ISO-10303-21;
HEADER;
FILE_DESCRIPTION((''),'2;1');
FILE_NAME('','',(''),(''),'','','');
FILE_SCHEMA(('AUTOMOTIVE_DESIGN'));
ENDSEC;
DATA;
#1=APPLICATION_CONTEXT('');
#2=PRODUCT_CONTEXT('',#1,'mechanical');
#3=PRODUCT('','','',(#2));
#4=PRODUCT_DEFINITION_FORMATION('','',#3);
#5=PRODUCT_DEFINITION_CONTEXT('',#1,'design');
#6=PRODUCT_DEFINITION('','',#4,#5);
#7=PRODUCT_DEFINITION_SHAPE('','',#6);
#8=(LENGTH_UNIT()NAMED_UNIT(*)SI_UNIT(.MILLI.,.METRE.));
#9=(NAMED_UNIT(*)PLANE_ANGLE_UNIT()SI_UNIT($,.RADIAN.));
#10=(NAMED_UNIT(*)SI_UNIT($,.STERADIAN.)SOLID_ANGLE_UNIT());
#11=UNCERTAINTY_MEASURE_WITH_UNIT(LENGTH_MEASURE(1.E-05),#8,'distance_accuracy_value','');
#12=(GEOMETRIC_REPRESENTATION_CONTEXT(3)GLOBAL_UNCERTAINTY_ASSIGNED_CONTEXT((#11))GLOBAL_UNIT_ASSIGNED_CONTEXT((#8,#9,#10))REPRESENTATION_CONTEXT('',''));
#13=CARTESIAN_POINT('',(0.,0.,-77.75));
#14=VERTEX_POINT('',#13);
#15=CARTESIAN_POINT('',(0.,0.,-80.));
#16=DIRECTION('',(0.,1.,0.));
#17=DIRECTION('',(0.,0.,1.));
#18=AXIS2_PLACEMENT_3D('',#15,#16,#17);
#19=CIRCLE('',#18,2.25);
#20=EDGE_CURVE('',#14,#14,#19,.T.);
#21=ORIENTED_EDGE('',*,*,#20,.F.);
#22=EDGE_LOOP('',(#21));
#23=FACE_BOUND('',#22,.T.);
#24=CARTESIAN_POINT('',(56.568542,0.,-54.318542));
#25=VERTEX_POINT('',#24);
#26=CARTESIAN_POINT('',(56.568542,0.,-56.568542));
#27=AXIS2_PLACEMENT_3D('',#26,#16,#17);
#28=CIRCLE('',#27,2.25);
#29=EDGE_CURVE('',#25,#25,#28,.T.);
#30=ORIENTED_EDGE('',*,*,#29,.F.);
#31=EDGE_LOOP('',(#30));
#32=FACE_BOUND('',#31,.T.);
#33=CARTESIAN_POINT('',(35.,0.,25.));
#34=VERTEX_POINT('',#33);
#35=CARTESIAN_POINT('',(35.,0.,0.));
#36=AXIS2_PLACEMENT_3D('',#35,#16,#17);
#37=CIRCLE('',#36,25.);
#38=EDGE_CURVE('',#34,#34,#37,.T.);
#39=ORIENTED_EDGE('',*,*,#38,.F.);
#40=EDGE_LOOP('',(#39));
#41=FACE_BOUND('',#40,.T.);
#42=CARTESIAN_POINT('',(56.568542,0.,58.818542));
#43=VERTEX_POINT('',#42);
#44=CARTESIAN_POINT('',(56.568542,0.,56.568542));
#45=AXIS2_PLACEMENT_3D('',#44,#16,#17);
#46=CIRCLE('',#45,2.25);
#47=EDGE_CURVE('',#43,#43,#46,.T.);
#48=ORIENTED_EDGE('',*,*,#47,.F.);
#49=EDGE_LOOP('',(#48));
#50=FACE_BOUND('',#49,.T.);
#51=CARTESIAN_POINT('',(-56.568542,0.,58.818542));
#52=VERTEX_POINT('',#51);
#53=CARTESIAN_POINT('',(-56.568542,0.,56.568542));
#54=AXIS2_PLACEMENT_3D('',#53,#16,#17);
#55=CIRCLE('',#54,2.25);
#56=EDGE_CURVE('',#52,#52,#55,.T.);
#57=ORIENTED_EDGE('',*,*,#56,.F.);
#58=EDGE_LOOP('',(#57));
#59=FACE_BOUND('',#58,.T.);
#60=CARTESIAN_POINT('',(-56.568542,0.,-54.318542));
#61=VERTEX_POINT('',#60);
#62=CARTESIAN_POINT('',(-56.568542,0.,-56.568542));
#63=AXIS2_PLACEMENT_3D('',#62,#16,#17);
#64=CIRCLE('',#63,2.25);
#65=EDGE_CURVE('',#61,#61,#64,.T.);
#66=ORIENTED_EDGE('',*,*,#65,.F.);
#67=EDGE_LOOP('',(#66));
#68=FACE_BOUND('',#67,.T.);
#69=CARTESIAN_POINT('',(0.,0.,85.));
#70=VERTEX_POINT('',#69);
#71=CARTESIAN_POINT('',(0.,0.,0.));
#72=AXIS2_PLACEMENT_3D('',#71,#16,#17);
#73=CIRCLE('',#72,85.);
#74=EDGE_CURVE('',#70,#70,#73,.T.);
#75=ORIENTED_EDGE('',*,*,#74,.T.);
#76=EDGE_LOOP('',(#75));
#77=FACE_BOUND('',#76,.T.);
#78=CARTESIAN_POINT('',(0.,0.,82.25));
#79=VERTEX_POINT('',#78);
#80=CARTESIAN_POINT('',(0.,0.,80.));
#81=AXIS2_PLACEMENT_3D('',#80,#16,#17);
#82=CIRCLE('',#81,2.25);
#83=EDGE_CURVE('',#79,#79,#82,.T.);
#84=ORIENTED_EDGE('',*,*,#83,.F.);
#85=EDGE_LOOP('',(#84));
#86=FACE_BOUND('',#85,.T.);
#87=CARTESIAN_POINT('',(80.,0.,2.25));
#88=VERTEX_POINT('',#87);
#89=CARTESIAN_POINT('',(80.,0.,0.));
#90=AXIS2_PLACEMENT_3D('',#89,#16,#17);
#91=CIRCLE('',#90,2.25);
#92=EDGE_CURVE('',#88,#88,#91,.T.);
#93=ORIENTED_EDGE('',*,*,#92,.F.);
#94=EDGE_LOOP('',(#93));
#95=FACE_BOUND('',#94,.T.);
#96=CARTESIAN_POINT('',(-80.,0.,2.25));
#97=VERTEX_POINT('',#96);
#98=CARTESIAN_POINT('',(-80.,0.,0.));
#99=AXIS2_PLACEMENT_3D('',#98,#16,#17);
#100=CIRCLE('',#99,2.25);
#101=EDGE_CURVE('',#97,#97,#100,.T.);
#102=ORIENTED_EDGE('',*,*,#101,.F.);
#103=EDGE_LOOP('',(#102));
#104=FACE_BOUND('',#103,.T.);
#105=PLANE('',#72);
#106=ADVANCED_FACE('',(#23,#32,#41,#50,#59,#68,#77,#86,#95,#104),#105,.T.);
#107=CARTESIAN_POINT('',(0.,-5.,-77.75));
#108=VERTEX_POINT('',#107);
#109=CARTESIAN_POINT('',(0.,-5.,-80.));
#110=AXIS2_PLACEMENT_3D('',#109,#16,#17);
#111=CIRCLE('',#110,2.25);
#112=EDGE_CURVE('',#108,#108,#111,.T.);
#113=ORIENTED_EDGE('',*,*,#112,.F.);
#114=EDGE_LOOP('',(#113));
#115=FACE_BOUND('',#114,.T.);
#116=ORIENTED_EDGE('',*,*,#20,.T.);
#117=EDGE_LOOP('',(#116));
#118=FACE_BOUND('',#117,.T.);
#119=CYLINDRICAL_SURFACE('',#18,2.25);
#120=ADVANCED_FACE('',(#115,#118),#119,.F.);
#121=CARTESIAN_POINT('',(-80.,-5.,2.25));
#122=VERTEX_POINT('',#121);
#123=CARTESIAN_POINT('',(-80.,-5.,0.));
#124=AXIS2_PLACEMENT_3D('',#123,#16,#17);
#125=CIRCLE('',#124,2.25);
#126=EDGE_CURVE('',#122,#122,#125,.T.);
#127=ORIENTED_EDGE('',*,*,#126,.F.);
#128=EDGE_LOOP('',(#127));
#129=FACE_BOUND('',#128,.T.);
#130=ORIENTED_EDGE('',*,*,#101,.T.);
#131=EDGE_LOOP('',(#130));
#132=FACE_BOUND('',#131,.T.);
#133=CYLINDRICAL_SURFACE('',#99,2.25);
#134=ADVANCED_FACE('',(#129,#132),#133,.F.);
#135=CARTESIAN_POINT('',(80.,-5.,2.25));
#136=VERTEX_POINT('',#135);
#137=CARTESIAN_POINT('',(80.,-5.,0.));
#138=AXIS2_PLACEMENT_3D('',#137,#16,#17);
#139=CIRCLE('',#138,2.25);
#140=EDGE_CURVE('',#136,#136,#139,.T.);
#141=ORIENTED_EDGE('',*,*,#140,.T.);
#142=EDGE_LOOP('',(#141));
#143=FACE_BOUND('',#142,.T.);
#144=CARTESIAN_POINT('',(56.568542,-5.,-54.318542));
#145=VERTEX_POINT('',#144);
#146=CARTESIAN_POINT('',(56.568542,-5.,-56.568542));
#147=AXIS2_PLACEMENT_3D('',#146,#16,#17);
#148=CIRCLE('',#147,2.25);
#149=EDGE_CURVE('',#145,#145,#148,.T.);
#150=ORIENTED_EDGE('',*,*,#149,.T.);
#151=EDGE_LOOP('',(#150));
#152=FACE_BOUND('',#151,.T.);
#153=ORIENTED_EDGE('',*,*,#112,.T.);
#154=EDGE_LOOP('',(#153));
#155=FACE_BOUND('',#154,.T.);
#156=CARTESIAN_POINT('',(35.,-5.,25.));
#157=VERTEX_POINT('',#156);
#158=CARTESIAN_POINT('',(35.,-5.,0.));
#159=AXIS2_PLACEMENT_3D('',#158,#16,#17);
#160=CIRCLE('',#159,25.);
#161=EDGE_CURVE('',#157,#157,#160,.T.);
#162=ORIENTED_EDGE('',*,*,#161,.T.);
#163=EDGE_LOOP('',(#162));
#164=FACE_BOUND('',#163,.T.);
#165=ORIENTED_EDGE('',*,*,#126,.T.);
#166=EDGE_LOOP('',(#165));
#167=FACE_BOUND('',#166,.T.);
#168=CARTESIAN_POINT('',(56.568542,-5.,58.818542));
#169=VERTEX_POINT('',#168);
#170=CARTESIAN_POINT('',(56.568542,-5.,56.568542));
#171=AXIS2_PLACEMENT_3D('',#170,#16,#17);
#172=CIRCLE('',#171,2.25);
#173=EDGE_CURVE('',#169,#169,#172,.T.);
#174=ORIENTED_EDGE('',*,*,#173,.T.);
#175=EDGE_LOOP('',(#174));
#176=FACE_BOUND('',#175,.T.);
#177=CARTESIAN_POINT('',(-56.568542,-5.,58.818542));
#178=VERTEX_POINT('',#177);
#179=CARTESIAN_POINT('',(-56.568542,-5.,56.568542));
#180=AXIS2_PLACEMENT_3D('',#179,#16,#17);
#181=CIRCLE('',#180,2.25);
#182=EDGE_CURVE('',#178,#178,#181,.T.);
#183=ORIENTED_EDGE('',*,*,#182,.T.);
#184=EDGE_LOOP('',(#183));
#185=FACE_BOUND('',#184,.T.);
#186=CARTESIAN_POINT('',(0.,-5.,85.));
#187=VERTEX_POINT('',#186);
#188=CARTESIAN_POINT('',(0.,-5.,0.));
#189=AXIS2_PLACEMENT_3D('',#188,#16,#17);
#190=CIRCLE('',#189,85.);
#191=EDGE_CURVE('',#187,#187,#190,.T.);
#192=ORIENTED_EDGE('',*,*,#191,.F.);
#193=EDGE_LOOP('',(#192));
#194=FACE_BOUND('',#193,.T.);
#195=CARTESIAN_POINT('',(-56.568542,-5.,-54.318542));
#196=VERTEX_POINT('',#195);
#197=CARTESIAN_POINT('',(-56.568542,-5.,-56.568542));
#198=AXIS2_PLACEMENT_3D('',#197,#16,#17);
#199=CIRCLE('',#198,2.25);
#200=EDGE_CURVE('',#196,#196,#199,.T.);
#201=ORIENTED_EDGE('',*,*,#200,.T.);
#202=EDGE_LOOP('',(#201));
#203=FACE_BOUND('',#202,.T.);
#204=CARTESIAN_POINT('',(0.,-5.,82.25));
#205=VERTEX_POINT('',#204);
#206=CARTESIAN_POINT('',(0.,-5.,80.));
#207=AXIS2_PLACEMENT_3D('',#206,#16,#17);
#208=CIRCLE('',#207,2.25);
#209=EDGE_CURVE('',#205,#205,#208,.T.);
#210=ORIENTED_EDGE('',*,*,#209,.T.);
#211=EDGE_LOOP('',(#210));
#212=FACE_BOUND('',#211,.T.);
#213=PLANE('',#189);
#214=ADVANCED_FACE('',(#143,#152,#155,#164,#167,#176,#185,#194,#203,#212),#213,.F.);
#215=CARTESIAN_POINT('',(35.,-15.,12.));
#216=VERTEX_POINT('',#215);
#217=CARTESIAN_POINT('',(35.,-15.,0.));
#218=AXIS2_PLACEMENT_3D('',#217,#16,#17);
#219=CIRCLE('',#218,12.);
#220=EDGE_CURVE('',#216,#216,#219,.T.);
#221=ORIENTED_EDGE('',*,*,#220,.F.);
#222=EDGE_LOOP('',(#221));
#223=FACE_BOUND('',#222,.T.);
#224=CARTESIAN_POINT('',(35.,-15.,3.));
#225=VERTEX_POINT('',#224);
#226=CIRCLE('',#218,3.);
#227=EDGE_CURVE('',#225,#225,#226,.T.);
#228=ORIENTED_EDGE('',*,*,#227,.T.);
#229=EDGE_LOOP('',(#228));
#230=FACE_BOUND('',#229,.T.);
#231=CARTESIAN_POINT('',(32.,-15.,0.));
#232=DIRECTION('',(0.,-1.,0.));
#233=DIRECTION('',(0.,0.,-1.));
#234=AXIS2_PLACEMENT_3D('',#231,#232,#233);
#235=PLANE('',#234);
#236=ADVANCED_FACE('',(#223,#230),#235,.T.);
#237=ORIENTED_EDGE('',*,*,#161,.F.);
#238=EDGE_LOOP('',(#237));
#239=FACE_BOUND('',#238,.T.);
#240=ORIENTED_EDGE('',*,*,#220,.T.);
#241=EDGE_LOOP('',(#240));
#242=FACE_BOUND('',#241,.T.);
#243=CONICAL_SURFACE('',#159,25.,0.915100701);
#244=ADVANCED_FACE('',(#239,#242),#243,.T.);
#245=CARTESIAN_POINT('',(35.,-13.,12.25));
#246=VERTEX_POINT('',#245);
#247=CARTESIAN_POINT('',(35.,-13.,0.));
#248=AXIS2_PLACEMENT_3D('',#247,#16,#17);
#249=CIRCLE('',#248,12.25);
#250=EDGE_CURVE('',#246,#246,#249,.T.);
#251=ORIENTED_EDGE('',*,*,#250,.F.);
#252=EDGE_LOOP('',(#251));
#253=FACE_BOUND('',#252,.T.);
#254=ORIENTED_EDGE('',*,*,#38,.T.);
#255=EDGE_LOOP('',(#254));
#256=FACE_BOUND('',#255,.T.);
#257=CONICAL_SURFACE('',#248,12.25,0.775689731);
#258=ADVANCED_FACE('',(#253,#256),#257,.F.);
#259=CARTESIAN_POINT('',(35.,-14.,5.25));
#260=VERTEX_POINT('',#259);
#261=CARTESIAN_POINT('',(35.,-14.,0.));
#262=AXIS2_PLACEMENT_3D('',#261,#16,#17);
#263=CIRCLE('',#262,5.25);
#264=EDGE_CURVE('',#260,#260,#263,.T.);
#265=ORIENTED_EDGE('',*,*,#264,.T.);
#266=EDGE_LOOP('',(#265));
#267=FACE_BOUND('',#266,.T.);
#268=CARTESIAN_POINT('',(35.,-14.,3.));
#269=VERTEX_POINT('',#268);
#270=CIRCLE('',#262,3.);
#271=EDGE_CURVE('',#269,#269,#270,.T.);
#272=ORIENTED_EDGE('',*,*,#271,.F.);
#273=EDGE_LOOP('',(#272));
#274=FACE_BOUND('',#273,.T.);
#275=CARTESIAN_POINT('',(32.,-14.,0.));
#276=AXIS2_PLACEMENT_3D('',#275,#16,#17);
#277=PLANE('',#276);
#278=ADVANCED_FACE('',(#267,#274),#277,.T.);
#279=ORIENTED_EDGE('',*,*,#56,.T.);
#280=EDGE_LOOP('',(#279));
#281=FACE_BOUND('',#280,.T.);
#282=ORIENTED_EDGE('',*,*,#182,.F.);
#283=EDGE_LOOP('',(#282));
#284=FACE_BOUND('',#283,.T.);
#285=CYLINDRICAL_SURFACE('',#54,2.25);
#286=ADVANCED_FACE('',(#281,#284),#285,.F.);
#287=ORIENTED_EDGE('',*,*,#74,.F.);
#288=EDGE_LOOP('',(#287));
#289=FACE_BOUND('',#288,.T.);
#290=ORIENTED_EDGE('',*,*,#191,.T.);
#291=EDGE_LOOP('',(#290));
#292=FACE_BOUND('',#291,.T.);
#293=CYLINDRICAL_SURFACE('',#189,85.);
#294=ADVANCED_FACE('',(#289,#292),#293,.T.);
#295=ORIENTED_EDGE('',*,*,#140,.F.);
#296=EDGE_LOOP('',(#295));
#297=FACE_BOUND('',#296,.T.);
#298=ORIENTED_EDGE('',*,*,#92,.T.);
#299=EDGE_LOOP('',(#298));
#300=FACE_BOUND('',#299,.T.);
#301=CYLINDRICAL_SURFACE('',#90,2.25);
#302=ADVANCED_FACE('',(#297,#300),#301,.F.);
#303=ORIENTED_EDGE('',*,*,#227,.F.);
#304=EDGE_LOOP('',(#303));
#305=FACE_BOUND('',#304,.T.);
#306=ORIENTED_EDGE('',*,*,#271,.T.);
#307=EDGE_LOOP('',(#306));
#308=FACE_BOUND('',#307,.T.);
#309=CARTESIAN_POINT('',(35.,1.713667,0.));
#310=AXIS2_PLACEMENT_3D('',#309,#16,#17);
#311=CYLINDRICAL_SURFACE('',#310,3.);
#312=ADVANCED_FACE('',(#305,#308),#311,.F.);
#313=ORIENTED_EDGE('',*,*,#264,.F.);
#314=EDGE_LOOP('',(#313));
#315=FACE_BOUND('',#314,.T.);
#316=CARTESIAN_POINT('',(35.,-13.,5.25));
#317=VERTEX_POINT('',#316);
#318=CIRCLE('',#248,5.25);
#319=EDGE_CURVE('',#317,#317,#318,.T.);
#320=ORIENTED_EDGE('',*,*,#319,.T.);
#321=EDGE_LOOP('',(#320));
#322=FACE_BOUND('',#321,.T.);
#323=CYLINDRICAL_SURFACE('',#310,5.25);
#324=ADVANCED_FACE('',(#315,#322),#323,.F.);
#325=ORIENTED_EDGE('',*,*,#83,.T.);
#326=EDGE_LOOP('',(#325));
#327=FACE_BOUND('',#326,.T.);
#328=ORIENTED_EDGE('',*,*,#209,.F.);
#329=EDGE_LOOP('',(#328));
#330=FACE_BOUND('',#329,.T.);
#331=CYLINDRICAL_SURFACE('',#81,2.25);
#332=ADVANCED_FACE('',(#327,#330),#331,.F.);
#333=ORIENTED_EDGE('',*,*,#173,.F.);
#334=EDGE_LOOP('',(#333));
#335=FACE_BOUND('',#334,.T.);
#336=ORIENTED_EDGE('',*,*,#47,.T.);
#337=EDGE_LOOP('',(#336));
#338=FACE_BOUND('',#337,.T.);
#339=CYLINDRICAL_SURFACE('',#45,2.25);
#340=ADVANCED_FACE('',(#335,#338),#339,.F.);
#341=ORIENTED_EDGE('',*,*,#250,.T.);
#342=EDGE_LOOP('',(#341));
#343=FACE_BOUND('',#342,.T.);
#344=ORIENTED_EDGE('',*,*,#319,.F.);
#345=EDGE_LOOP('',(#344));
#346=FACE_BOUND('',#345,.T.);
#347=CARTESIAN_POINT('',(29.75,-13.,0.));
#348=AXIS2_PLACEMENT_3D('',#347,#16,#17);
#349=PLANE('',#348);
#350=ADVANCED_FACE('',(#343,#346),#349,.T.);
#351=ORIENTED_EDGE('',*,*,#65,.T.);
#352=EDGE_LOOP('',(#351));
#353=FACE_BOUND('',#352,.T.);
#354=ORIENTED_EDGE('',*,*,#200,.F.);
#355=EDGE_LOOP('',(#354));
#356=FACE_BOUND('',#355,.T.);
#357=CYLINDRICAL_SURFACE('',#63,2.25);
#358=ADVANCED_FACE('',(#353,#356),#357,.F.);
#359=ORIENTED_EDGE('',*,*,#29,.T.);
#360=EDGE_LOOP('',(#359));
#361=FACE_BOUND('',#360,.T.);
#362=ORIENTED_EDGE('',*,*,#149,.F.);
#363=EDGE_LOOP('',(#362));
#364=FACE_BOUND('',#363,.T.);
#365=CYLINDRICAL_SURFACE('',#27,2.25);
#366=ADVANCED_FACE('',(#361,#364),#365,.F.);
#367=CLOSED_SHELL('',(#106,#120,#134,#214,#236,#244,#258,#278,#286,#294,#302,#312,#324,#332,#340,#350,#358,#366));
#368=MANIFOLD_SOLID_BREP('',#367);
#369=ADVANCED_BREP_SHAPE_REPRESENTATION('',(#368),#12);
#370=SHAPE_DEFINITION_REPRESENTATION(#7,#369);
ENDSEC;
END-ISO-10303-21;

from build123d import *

# Parameters (mm, degrees)
EXTRUDE_START      = -5
SKETCH_6_R         = 85
SKETCH_6_R_2       = 25
EXTRUDE_1041_DEPTH = 5
HOLE_WIZARD_M4_8_D = 4.5


with BuildPart() as part:
    # 草图2 → Revolve 925 (revolve)
    with BuildSketch(Plane.XY, mode=Mode.PRIVATE) as revolve_925_sk:
        Polygon((32, -15), (32, -14), (29.75, -14), (29.75, -13), (22.75, -13), (10, 0), (10, -5), (23, -15), align=None)
    revolve(revolve_925_sk.sketch.rotate(Axis((35, 1.713666668, 0), (0, -1, 0)), 270), axis=Axis((35, 1.713666668, 0), (0, -1, 0)))

    # 草图6 → Extrude 1041 (add)
    with BuildSketch(Plane(origin=(0, 0, 0), x_dir=(1, 0, 0), z_dir=(0, 1, 0)).offset(EXTRUDE_START)):
        with Locations(Location((0, 0, 0), (0, 0, 270))):
            Circle(SKETCH_6_R)
        with Locations((35, 0)):
            Circle(SKETCH_6_R_2, mode=Mode.SUBTRACT)
    extrude(amount=EXTRUDE_1041_DEPTH)

    # M4*8 固定孔 (through all)
    with Locations(Plane(origin=(0, 0, 0), x_dir=(1, 0, 0), z_dir=(0, 1, 0))):
        with Locations((80, 0), (-80, 0), (-56.568542495, 56.568542495), (0, 80), (56.568542495, -56.568542495), (0, -80), (-56.568542495, -56.568542495), (56.568542495, 56.568542495)):
            Hole(HOLE_WIZARD_M4_8_D / 2)


solid = part.part
